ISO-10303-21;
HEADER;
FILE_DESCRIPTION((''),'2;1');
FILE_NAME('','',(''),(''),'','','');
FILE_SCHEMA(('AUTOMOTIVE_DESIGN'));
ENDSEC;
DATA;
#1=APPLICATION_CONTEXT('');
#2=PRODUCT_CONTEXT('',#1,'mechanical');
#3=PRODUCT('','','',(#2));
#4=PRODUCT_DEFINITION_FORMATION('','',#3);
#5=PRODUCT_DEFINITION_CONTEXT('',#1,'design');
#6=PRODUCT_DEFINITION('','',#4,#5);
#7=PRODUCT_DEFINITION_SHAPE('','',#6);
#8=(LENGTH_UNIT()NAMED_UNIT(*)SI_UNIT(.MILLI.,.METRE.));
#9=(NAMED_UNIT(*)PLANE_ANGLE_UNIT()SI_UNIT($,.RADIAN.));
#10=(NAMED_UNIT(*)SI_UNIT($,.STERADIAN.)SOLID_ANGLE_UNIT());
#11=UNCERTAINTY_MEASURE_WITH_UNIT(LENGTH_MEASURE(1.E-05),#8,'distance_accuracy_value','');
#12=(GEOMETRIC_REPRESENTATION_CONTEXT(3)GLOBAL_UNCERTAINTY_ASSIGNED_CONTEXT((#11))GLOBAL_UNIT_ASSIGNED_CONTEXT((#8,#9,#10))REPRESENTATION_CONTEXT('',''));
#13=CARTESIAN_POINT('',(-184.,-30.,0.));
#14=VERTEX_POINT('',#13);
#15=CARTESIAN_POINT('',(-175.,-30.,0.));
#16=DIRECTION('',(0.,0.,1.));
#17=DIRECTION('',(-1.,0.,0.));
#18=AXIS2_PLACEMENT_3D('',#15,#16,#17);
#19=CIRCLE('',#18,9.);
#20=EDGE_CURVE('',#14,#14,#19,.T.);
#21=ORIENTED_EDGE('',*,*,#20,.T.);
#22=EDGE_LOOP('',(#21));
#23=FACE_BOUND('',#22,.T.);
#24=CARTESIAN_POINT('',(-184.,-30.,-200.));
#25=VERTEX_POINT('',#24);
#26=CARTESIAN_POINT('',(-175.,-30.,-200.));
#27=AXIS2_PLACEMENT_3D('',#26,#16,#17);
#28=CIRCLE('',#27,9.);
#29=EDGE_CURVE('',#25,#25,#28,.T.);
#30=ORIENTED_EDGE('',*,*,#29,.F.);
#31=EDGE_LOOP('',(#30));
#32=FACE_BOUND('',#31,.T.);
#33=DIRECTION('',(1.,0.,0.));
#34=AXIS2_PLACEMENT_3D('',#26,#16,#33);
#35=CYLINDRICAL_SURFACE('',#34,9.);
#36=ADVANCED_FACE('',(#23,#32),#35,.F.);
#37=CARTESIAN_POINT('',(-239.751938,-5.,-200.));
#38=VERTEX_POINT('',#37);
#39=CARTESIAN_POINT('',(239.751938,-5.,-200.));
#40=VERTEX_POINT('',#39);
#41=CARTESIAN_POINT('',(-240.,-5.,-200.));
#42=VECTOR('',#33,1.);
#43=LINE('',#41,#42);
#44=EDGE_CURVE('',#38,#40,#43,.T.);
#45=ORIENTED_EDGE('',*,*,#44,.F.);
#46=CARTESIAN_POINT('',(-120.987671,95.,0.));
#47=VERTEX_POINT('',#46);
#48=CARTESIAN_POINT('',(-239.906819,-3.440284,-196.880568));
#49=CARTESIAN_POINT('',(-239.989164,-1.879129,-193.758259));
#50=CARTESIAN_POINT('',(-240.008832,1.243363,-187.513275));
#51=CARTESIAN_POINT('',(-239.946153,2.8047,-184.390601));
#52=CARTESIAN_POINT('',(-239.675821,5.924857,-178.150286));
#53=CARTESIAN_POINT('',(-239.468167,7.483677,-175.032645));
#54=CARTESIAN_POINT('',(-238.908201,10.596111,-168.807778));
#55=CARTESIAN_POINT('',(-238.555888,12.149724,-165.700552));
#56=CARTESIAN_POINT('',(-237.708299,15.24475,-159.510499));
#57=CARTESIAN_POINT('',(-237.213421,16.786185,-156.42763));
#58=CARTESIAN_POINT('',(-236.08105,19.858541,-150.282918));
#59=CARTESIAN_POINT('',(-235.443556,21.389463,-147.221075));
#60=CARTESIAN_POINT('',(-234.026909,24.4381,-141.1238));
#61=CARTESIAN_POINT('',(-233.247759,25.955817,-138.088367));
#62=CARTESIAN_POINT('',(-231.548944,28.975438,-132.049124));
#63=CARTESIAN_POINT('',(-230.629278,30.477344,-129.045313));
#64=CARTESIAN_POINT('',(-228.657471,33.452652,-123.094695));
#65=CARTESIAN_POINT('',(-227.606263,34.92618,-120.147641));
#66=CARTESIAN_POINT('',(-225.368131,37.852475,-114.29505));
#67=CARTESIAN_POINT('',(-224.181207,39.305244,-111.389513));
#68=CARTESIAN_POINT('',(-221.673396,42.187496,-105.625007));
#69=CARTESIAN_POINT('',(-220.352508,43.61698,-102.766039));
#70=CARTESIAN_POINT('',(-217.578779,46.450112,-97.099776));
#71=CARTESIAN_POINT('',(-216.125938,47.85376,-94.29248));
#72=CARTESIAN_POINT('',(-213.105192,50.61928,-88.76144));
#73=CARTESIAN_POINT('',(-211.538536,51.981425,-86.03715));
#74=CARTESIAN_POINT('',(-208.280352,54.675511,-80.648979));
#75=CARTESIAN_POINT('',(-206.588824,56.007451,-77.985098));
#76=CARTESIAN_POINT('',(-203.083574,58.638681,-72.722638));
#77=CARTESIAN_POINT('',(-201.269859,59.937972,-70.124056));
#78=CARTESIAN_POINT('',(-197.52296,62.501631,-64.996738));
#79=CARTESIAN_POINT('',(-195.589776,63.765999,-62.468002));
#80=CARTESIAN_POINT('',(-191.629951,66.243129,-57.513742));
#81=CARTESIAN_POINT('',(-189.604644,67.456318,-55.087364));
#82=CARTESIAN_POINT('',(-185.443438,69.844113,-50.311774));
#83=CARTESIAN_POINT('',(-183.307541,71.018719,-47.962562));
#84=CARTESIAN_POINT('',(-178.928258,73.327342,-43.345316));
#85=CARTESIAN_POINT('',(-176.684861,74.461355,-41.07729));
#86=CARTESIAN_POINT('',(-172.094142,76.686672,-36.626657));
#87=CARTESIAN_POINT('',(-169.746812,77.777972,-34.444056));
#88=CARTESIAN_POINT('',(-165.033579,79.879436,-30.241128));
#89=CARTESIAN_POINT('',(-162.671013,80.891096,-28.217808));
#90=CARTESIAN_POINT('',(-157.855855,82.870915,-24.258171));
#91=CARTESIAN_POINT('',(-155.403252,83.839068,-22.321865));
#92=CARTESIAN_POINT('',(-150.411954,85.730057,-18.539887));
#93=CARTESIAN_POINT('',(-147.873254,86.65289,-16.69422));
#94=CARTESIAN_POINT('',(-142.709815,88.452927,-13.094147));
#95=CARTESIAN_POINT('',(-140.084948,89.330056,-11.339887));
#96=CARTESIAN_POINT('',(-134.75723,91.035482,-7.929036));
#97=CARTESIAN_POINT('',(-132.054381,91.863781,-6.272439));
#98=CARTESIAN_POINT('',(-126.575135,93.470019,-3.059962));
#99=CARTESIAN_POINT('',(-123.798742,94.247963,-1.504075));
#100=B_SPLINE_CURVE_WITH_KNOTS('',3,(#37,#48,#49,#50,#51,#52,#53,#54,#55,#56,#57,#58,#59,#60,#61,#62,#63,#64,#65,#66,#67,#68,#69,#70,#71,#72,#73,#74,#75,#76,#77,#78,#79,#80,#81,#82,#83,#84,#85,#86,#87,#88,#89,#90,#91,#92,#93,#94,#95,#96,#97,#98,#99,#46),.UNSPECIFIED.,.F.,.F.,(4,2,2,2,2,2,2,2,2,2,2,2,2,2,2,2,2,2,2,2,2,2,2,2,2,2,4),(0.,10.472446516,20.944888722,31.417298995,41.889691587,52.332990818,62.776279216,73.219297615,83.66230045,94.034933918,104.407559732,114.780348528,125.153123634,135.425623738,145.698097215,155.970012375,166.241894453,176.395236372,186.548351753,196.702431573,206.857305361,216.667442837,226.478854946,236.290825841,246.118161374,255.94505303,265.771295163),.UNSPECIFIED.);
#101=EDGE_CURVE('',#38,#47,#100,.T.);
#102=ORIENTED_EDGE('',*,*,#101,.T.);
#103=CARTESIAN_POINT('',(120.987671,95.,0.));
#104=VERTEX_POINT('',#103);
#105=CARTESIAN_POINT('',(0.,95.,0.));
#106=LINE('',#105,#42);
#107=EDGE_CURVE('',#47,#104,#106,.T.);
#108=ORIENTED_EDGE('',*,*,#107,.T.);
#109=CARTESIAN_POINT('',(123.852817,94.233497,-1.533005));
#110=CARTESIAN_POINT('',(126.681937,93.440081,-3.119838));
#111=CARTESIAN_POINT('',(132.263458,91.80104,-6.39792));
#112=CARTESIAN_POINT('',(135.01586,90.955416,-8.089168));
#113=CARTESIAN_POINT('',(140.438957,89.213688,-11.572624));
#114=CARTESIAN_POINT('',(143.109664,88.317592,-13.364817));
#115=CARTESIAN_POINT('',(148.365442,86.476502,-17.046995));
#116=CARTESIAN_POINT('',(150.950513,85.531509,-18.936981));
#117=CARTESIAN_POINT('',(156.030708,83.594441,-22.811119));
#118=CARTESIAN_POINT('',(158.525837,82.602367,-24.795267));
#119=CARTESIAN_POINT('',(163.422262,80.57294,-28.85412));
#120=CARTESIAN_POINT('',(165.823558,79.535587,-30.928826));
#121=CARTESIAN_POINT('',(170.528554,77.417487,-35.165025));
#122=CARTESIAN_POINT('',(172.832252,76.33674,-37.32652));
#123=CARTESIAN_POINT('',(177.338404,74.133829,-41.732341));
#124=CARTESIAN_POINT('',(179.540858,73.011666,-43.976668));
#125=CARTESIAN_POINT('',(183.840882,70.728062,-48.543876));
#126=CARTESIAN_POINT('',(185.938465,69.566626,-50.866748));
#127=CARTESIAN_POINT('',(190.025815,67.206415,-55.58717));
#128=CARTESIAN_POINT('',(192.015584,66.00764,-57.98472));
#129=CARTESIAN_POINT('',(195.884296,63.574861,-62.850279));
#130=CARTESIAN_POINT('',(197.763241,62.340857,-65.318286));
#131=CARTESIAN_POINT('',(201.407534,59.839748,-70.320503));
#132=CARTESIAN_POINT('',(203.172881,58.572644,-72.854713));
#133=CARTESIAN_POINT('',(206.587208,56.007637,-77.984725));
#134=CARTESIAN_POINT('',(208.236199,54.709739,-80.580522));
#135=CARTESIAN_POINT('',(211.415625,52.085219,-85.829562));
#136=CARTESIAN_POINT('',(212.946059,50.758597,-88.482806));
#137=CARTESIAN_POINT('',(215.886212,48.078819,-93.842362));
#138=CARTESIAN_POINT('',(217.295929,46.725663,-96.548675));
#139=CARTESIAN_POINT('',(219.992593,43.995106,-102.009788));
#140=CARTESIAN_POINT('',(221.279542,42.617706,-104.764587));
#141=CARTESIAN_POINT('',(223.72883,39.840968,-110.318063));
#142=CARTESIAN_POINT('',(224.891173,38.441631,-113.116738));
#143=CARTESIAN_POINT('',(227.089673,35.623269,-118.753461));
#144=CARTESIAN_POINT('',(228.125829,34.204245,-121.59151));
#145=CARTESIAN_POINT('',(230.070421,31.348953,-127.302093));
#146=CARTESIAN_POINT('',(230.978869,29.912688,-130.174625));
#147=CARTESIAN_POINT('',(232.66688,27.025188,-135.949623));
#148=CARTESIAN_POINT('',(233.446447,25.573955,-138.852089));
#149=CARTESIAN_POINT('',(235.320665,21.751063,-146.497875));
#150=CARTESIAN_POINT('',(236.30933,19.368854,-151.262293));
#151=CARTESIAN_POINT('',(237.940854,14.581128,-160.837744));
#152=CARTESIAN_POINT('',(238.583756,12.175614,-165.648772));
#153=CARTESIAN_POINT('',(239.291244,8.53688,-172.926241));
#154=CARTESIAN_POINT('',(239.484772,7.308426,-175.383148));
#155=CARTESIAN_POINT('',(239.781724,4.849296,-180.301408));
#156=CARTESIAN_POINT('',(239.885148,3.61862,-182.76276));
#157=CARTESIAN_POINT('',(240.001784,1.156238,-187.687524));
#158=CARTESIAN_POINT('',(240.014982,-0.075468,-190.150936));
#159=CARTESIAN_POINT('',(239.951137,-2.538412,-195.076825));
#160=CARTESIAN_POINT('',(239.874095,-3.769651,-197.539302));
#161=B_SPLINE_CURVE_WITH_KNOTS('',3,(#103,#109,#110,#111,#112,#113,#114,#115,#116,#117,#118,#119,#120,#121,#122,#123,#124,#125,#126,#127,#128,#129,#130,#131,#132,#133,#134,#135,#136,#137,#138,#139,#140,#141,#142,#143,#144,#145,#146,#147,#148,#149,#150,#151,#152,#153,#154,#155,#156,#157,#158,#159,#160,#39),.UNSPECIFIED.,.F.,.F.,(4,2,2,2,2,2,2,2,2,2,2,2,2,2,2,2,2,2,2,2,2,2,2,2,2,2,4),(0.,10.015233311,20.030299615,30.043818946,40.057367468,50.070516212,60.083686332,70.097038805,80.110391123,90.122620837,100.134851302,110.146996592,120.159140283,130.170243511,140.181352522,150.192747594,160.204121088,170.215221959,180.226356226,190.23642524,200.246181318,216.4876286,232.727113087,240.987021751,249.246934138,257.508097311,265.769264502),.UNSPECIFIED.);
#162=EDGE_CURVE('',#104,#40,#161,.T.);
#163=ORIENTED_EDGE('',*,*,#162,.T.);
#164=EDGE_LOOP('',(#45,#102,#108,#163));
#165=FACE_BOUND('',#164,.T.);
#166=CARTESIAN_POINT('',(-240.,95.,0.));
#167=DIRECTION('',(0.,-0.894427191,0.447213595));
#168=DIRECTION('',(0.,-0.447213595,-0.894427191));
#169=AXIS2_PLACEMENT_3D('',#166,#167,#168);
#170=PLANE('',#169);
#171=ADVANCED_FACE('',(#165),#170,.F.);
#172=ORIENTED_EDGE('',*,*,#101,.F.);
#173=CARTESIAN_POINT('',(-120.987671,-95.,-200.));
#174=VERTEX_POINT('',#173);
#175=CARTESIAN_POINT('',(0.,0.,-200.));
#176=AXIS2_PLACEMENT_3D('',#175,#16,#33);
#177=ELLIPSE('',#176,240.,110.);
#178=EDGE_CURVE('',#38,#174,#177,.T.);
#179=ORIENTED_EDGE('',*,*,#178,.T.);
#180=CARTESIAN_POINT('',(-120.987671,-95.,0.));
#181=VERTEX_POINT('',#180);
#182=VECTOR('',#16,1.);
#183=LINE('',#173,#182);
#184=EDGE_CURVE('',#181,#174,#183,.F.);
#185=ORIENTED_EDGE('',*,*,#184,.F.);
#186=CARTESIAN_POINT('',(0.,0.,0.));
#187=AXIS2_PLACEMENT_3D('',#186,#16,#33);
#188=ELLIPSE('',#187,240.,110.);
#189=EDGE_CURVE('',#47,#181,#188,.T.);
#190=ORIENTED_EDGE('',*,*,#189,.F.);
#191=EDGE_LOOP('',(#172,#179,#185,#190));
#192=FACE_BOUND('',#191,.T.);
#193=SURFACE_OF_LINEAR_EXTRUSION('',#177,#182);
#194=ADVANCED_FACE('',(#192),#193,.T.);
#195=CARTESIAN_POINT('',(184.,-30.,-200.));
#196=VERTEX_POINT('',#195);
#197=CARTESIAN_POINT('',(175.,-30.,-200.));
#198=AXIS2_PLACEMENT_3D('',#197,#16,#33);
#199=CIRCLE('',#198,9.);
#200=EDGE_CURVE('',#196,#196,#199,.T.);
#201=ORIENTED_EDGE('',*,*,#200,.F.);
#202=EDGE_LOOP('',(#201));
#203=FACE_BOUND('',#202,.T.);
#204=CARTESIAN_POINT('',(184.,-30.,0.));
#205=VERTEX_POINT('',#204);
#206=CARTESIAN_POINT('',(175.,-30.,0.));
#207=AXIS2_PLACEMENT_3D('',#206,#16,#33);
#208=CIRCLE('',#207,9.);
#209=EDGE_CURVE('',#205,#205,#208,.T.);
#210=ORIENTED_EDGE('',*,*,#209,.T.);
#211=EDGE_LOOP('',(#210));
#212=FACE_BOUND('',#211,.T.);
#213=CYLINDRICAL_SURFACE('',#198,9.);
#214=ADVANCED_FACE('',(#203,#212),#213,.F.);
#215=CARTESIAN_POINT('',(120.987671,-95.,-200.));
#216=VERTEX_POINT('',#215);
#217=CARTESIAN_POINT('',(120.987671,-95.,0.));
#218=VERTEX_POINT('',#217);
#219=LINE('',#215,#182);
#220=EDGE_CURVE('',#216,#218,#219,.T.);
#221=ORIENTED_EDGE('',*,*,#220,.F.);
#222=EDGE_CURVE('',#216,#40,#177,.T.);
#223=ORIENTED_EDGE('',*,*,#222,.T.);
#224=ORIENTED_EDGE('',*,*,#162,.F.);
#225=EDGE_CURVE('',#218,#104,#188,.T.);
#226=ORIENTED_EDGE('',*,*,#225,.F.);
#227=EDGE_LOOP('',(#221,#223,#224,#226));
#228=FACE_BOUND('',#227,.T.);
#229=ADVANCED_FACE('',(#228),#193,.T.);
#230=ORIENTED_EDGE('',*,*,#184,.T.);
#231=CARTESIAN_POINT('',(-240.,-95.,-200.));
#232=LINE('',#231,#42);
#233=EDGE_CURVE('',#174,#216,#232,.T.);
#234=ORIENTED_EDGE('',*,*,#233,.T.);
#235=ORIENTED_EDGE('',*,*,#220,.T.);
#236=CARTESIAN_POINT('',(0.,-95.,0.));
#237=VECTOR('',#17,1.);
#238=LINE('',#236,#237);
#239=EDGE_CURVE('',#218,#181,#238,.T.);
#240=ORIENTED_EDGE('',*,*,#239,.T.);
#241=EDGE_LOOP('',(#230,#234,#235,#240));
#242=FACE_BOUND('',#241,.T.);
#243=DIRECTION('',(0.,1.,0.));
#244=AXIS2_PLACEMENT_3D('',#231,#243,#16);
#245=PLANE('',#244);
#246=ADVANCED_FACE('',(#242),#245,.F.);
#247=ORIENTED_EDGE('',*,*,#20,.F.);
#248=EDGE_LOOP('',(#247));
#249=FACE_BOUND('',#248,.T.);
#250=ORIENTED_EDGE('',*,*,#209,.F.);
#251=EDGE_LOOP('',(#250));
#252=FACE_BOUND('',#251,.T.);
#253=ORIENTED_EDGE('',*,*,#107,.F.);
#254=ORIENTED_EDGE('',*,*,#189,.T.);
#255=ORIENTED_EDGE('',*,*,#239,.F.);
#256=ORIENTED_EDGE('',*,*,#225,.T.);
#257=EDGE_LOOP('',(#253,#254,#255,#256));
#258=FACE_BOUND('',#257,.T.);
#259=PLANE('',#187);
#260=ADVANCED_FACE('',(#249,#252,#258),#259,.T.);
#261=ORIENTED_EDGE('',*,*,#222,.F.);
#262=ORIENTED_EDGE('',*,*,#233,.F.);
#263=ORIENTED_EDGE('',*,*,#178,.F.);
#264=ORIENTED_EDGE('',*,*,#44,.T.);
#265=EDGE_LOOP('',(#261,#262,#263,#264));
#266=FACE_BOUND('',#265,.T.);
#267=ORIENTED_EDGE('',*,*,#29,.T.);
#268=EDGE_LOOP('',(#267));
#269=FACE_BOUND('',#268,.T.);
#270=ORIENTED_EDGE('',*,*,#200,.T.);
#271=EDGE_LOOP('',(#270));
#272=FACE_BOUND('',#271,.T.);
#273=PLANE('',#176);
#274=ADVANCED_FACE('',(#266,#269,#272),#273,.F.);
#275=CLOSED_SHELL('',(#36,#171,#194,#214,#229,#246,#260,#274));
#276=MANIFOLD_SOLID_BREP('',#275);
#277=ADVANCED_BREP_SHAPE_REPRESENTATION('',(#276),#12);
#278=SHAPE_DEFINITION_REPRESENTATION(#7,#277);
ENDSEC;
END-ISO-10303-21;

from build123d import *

# Parameters (mm, degrees)
SKETCH1_RX               = 240
SKETCH1_RY               = 110
BOSS_EXTRUDE1_DEPTH      = 200
SKETCH12_R               = 9
CUT_EXTRUDE8_DEPTH       = 332.209903234
CUT_EXTRUDE10_DEPTH      = 332.209903234
CUT_EXTRUDE10_DEPTH_BACK = 332.209903234
SKETCH15_W               = 200
SKETCH15_H               = 15


with BuildPart() as part:
    # Sketch1 → Boss-Extrude1 (new body)
    with BuildSketch(Plane.XY):
        with Locations((0, 0)):
            Ellipse(SKETCH1_RX, SKETCH1_RY)
    extrude(amount=-BOSS_EXTRUDE1_DEPTH)

    # Sketch12 → Cut-Extrude8 (cut, through all)
    with BuildSketch(Plane.XY):
        with Locations((175, -30)):
            Circle(SKETCH12_R)
        with Locations(Location((-175, -30, 0), (0, 0, 180))):
            Circle(SKETCH12_R)
    extrude(amount=-CUT_EXTRUDE8_DEPTH, mode=Mode.SUBTRACT)

    # Sketch15 → Cut-Extrude10 (cut, two sides: drawn at the far end of the back side and taken through both)
    with BuildSketch(Plane(origin=(0, 0, 0), x_dir=(0, 0, -1), z_dir=(1, 0, 0)).offset(-CUT_EXTRUDE10_DEPTH_BACK)):
        Polygon((0, 110), (0, 95), (200, -5), (200, 110), align=None)
        with Locations((100, -102.5)):
            Rectangle(SKETCH15_W, SKETCH15_H)
    extrude(amount=CUT_EXTRUDE10_DEPTH + CUT_EXTRUDE10_DEPTH_BACK, mode=Mode.SUBTRACT)


solid = part.part
